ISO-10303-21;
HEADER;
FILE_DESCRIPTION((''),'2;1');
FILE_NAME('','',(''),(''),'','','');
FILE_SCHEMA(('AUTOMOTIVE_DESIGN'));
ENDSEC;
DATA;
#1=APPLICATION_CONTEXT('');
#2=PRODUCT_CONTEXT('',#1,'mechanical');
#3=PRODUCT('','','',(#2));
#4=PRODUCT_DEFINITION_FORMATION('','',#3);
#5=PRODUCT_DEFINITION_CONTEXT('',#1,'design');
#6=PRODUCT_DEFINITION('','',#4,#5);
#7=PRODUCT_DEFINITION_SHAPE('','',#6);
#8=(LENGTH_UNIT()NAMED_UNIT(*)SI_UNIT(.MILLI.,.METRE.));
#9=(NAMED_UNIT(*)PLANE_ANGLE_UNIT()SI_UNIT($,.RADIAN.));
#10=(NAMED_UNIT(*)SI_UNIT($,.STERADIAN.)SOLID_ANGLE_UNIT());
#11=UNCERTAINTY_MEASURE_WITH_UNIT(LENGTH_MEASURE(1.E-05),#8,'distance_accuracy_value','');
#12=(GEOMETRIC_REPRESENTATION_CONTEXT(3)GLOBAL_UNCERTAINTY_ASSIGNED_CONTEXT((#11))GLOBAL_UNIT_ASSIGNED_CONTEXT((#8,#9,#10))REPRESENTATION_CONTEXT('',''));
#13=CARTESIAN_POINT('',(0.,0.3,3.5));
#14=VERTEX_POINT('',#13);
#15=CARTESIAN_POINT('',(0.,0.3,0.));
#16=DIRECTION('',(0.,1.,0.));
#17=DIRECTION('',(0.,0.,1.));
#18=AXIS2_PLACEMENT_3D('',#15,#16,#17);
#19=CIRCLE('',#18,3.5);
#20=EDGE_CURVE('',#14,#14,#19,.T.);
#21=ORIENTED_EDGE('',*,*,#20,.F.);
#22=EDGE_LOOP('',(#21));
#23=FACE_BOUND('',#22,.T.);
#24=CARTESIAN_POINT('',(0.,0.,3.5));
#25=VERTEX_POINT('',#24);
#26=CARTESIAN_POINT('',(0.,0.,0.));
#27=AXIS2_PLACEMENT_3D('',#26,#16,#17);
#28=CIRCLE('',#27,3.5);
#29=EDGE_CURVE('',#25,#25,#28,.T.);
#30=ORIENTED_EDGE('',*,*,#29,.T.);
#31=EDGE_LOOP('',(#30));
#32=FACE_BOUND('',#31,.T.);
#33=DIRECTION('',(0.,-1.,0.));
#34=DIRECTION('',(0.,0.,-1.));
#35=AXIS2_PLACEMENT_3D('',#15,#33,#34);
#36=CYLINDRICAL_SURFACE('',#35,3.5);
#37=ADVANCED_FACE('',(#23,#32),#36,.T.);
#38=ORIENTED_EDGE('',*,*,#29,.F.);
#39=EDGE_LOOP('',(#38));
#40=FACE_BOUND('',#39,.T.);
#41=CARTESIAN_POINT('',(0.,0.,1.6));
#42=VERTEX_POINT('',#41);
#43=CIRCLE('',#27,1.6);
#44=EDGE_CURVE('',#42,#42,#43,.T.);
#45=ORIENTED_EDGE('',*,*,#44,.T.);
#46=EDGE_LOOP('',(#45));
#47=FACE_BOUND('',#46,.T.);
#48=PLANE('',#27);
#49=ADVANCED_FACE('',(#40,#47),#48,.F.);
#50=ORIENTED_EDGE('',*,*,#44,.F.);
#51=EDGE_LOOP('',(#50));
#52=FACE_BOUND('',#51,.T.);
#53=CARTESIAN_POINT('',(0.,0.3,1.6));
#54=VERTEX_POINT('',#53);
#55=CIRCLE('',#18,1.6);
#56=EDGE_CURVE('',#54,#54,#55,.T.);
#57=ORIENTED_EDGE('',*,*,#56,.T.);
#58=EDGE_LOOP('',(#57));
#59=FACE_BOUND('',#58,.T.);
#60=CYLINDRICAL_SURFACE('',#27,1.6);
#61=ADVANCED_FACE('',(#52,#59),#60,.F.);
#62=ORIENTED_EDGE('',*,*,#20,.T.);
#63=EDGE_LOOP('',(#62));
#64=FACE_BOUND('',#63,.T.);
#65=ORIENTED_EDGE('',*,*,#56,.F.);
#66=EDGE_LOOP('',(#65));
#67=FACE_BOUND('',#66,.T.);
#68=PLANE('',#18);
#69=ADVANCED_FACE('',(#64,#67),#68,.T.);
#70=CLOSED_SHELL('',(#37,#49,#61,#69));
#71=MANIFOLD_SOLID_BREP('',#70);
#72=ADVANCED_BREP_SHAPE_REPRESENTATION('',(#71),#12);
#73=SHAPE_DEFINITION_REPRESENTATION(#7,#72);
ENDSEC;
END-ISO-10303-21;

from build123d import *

# Parameters (mm, degrees)
SKETCH1_R           = 3.5
BOSS_EXTRUDE1_DEPTH = 0.3
SKETCH2_R           = 1.6
CUT_EXTRUDE1_DEPTH  = 5.958830507


with BuildPart() as part:
    # Sketch1 → Boss-Extrude1 (new body)
    with BuildSketch(Plane(origin=(0, 0, 0), x_dir=(1, 0, 0), z_dir=(0, 1, 0))):
        with Locations(Location((0, 0, 0), (0, 0, 270))):
            Circle(SKETCH1_R)
    extrude(amount=BOSS_EXTRUDE1_DEPTH)

    # Sketch2 → Cut-Extrude1 (cut, through all)
    with BuildSketch(Plane(origin=(0, 0.3, 0), x_dir=(-1, 0, 0), z_dir=(0, 1, 0))):
        with Locations(Location((0, 0, 0), (0, 0, 90))):
            Circle(SKETCH2_R)
    extrude(amount=-CUT_EXTRUDE1_DEPTH, mode=Mode.SUBTRACT)


solid = part.part
